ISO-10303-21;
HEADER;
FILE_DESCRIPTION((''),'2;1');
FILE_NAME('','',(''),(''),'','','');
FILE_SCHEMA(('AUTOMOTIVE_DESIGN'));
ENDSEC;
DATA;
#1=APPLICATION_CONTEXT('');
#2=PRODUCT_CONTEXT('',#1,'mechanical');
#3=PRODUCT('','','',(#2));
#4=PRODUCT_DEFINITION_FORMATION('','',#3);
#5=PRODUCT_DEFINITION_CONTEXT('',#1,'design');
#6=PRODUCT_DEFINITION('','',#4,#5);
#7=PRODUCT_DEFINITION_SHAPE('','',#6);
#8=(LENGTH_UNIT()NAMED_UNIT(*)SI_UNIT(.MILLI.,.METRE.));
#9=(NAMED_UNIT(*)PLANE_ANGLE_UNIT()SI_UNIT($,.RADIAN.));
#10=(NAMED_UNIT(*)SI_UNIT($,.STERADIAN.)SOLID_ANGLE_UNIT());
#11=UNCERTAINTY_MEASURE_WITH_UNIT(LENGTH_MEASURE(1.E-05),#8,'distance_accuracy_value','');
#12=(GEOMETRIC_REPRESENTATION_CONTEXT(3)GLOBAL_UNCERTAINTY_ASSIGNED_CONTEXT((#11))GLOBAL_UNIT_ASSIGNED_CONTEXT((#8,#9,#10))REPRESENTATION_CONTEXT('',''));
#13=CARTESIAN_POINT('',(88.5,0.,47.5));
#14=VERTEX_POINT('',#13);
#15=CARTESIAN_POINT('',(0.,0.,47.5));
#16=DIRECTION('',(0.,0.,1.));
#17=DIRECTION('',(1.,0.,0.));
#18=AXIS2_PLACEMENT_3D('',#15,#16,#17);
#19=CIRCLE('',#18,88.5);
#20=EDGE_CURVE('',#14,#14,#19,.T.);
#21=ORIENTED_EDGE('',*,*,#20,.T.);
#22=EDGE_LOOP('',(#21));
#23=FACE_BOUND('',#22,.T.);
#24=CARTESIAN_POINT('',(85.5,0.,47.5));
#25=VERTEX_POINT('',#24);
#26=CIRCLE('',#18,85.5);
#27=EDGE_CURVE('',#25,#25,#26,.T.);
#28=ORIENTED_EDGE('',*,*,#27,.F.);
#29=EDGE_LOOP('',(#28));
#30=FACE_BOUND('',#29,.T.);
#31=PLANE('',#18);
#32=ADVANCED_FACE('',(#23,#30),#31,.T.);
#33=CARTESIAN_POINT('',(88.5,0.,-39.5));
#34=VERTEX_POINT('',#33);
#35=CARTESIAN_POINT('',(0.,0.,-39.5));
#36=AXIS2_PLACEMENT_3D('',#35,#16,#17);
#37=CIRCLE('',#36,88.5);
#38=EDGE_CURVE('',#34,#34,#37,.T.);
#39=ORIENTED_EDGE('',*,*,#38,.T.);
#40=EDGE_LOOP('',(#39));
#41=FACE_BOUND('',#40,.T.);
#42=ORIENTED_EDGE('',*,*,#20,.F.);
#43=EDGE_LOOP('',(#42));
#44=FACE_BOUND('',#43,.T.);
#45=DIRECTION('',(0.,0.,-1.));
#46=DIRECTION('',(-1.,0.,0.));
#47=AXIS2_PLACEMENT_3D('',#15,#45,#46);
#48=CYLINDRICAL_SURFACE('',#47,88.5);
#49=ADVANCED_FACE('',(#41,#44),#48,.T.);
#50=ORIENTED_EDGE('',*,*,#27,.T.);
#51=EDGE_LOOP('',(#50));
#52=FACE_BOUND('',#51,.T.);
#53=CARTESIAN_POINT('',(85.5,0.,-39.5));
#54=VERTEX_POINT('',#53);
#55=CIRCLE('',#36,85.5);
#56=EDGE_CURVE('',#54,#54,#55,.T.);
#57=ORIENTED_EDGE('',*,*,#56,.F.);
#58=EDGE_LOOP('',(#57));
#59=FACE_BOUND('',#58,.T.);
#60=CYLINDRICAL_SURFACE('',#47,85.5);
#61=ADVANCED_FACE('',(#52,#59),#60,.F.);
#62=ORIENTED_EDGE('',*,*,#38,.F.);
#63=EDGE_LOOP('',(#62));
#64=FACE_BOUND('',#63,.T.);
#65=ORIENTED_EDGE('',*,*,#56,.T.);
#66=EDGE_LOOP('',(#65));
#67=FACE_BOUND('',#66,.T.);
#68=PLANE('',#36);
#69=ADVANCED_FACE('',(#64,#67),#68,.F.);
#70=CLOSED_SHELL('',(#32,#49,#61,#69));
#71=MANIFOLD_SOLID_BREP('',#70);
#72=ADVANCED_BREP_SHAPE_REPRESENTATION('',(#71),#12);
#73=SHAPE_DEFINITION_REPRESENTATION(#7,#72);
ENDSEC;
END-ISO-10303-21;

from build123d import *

# Parameters (mm, degrees)
RIM_REFERENCE_START = -39.5
SKETCH_1_R          = 88.5
SKETCH_1_R_2        = 85.5
RIM_REFERENCE_DEPTH = 87


with BuildPart() as part:
    # Эскиз1 → Rim_reference (new body)
    with BuildSketch(Plane.XY.offset(RIM_REFERENCE_START)):
        Circle(SKETCH_1_R)
        Circle(SKETCH_1_R_2, mode=Mode.SUBTRACT)
    extrude(amount=RIM_REFERENCE_DEPTH)


solid = part.part
